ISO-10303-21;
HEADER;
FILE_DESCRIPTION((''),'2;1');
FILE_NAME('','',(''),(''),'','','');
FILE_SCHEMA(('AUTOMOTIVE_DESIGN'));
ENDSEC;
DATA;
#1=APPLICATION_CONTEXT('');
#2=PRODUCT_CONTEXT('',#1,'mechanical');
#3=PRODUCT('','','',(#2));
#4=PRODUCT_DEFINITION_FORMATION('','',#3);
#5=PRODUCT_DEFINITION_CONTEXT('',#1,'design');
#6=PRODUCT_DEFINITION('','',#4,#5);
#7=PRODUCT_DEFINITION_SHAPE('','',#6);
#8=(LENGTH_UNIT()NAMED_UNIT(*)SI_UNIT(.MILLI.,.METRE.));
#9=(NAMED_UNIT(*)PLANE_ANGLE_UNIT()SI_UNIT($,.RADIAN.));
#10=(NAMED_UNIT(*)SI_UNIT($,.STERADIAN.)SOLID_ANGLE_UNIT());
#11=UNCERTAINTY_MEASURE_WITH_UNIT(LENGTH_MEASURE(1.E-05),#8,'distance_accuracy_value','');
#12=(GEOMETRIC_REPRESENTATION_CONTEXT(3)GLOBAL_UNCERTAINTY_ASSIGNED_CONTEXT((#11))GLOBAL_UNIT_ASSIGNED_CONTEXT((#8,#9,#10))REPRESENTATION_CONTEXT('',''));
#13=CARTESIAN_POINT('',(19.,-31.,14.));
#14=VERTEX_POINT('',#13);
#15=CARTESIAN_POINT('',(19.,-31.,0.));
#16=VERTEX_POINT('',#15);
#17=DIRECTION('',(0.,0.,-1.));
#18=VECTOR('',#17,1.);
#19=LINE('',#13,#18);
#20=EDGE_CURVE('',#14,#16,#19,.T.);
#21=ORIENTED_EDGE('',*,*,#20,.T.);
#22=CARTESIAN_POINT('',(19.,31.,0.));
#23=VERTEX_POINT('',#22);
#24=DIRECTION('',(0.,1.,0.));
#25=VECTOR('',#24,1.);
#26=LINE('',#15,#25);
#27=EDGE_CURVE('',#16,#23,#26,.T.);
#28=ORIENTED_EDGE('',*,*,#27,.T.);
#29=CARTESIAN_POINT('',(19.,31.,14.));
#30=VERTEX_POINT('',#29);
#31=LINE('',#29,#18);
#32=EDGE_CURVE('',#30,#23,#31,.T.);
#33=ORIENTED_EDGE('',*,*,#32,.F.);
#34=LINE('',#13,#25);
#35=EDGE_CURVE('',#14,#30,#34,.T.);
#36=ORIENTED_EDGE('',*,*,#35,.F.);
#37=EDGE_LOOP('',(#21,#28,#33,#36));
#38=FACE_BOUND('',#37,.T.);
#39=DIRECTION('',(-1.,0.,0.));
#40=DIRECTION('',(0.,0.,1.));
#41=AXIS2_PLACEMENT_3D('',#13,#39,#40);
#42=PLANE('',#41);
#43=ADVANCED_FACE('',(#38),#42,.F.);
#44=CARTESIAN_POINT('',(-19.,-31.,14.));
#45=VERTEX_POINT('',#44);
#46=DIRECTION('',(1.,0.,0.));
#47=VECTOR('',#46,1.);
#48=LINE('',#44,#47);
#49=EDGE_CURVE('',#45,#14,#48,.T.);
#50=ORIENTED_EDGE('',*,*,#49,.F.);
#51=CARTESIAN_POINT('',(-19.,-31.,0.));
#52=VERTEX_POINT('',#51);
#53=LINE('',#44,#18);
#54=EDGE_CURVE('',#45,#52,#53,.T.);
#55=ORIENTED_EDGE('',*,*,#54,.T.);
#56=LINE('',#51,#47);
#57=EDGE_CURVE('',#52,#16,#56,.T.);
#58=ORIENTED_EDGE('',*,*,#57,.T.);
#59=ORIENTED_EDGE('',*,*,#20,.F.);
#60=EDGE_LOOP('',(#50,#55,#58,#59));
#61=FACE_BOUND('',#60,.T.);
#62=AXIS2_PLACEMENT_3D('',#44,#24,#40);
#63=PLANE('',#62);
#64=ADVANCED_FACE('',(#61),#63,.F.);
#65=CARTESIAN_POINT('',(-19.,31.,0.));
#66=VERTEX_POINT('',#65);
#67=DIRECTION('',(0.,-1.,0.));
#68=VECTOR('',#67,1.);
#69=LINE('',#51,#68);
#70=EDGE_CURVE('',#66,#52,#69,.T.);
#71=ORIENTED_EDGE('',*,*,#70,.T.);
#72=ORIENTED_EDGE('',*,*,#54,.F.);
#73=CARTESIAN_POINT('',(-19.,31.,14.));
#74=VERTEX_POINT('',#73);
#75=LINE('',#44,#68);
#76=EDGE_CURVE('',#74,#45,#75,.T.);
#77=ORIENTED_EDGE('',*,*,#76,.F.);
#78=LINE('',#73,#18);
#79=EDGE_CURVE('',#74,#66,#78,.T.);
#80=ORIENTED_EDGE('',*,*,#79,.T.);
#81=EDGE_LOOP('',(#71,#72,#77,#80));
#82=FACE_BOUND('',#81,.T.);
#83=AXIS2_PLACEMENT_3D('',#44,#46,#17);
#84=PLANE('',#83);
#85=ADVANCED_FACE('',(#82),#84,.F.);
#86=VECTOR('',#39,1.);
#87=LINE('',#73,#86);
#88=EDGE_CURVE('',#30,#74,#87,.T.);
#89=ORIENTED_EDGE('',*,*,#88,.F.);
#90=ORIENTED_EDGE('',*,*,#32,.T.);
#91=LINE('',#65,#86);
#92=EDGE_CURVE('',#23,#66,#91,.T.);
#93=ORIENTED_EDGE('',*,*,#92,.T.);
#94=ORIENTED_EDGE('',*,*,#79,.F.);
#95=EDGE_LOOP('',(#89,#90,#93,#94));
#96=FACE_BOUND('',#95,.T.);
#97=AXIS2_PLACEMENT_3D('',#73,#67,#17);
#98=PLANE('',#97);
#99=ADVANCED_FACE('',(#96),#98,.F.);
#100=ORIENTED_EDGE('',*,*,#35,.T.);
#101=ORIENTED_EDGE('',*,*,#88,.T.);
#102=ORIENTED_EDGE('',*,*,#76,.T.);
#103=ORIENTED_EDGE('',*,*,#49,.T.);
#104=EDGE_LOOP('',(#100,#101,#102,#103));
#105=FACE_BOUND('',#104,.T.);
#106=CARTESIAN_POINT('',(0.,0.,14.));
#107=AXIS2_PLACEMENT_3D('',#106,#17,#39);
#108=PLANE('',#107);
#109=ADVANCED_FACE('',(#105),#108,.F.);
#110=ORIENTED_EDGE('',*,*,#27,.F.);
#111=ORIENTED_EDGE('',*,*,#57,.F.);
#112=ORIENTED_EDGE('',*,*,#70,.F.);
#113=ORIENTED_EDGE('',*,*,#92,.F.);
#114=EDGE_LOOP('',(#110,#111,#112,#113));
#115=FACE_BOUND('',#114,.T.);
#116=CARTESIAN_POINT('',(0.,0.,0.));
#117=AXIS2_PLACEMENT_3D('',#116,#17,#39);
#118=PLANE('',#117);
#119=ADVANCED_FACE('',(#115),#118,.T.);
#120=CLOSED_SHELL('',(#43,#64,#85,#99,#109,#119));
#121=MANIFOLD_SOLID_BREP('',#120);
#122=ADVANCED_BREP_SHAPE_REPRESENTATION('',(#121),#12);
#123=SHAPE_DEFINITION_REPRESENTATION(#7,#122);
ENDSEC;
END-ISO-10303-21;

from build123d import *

# Parameters (mm, degrees)
SKETCH1_W           = 38
SKETCH1_H           = 62
BOSS_EXTRUDE1_DEPTH = 14


with BuildPart() as part:
    # Sketch1 → Boss-Extrude1 (new body)
    with BuildSketch(Plane.XY):
        Rectangle(SKETCH1_W, SKETCH1_H)
    extrude(amount=BOSS_EXTRUDE1_DEPTH)


solid = part.part
